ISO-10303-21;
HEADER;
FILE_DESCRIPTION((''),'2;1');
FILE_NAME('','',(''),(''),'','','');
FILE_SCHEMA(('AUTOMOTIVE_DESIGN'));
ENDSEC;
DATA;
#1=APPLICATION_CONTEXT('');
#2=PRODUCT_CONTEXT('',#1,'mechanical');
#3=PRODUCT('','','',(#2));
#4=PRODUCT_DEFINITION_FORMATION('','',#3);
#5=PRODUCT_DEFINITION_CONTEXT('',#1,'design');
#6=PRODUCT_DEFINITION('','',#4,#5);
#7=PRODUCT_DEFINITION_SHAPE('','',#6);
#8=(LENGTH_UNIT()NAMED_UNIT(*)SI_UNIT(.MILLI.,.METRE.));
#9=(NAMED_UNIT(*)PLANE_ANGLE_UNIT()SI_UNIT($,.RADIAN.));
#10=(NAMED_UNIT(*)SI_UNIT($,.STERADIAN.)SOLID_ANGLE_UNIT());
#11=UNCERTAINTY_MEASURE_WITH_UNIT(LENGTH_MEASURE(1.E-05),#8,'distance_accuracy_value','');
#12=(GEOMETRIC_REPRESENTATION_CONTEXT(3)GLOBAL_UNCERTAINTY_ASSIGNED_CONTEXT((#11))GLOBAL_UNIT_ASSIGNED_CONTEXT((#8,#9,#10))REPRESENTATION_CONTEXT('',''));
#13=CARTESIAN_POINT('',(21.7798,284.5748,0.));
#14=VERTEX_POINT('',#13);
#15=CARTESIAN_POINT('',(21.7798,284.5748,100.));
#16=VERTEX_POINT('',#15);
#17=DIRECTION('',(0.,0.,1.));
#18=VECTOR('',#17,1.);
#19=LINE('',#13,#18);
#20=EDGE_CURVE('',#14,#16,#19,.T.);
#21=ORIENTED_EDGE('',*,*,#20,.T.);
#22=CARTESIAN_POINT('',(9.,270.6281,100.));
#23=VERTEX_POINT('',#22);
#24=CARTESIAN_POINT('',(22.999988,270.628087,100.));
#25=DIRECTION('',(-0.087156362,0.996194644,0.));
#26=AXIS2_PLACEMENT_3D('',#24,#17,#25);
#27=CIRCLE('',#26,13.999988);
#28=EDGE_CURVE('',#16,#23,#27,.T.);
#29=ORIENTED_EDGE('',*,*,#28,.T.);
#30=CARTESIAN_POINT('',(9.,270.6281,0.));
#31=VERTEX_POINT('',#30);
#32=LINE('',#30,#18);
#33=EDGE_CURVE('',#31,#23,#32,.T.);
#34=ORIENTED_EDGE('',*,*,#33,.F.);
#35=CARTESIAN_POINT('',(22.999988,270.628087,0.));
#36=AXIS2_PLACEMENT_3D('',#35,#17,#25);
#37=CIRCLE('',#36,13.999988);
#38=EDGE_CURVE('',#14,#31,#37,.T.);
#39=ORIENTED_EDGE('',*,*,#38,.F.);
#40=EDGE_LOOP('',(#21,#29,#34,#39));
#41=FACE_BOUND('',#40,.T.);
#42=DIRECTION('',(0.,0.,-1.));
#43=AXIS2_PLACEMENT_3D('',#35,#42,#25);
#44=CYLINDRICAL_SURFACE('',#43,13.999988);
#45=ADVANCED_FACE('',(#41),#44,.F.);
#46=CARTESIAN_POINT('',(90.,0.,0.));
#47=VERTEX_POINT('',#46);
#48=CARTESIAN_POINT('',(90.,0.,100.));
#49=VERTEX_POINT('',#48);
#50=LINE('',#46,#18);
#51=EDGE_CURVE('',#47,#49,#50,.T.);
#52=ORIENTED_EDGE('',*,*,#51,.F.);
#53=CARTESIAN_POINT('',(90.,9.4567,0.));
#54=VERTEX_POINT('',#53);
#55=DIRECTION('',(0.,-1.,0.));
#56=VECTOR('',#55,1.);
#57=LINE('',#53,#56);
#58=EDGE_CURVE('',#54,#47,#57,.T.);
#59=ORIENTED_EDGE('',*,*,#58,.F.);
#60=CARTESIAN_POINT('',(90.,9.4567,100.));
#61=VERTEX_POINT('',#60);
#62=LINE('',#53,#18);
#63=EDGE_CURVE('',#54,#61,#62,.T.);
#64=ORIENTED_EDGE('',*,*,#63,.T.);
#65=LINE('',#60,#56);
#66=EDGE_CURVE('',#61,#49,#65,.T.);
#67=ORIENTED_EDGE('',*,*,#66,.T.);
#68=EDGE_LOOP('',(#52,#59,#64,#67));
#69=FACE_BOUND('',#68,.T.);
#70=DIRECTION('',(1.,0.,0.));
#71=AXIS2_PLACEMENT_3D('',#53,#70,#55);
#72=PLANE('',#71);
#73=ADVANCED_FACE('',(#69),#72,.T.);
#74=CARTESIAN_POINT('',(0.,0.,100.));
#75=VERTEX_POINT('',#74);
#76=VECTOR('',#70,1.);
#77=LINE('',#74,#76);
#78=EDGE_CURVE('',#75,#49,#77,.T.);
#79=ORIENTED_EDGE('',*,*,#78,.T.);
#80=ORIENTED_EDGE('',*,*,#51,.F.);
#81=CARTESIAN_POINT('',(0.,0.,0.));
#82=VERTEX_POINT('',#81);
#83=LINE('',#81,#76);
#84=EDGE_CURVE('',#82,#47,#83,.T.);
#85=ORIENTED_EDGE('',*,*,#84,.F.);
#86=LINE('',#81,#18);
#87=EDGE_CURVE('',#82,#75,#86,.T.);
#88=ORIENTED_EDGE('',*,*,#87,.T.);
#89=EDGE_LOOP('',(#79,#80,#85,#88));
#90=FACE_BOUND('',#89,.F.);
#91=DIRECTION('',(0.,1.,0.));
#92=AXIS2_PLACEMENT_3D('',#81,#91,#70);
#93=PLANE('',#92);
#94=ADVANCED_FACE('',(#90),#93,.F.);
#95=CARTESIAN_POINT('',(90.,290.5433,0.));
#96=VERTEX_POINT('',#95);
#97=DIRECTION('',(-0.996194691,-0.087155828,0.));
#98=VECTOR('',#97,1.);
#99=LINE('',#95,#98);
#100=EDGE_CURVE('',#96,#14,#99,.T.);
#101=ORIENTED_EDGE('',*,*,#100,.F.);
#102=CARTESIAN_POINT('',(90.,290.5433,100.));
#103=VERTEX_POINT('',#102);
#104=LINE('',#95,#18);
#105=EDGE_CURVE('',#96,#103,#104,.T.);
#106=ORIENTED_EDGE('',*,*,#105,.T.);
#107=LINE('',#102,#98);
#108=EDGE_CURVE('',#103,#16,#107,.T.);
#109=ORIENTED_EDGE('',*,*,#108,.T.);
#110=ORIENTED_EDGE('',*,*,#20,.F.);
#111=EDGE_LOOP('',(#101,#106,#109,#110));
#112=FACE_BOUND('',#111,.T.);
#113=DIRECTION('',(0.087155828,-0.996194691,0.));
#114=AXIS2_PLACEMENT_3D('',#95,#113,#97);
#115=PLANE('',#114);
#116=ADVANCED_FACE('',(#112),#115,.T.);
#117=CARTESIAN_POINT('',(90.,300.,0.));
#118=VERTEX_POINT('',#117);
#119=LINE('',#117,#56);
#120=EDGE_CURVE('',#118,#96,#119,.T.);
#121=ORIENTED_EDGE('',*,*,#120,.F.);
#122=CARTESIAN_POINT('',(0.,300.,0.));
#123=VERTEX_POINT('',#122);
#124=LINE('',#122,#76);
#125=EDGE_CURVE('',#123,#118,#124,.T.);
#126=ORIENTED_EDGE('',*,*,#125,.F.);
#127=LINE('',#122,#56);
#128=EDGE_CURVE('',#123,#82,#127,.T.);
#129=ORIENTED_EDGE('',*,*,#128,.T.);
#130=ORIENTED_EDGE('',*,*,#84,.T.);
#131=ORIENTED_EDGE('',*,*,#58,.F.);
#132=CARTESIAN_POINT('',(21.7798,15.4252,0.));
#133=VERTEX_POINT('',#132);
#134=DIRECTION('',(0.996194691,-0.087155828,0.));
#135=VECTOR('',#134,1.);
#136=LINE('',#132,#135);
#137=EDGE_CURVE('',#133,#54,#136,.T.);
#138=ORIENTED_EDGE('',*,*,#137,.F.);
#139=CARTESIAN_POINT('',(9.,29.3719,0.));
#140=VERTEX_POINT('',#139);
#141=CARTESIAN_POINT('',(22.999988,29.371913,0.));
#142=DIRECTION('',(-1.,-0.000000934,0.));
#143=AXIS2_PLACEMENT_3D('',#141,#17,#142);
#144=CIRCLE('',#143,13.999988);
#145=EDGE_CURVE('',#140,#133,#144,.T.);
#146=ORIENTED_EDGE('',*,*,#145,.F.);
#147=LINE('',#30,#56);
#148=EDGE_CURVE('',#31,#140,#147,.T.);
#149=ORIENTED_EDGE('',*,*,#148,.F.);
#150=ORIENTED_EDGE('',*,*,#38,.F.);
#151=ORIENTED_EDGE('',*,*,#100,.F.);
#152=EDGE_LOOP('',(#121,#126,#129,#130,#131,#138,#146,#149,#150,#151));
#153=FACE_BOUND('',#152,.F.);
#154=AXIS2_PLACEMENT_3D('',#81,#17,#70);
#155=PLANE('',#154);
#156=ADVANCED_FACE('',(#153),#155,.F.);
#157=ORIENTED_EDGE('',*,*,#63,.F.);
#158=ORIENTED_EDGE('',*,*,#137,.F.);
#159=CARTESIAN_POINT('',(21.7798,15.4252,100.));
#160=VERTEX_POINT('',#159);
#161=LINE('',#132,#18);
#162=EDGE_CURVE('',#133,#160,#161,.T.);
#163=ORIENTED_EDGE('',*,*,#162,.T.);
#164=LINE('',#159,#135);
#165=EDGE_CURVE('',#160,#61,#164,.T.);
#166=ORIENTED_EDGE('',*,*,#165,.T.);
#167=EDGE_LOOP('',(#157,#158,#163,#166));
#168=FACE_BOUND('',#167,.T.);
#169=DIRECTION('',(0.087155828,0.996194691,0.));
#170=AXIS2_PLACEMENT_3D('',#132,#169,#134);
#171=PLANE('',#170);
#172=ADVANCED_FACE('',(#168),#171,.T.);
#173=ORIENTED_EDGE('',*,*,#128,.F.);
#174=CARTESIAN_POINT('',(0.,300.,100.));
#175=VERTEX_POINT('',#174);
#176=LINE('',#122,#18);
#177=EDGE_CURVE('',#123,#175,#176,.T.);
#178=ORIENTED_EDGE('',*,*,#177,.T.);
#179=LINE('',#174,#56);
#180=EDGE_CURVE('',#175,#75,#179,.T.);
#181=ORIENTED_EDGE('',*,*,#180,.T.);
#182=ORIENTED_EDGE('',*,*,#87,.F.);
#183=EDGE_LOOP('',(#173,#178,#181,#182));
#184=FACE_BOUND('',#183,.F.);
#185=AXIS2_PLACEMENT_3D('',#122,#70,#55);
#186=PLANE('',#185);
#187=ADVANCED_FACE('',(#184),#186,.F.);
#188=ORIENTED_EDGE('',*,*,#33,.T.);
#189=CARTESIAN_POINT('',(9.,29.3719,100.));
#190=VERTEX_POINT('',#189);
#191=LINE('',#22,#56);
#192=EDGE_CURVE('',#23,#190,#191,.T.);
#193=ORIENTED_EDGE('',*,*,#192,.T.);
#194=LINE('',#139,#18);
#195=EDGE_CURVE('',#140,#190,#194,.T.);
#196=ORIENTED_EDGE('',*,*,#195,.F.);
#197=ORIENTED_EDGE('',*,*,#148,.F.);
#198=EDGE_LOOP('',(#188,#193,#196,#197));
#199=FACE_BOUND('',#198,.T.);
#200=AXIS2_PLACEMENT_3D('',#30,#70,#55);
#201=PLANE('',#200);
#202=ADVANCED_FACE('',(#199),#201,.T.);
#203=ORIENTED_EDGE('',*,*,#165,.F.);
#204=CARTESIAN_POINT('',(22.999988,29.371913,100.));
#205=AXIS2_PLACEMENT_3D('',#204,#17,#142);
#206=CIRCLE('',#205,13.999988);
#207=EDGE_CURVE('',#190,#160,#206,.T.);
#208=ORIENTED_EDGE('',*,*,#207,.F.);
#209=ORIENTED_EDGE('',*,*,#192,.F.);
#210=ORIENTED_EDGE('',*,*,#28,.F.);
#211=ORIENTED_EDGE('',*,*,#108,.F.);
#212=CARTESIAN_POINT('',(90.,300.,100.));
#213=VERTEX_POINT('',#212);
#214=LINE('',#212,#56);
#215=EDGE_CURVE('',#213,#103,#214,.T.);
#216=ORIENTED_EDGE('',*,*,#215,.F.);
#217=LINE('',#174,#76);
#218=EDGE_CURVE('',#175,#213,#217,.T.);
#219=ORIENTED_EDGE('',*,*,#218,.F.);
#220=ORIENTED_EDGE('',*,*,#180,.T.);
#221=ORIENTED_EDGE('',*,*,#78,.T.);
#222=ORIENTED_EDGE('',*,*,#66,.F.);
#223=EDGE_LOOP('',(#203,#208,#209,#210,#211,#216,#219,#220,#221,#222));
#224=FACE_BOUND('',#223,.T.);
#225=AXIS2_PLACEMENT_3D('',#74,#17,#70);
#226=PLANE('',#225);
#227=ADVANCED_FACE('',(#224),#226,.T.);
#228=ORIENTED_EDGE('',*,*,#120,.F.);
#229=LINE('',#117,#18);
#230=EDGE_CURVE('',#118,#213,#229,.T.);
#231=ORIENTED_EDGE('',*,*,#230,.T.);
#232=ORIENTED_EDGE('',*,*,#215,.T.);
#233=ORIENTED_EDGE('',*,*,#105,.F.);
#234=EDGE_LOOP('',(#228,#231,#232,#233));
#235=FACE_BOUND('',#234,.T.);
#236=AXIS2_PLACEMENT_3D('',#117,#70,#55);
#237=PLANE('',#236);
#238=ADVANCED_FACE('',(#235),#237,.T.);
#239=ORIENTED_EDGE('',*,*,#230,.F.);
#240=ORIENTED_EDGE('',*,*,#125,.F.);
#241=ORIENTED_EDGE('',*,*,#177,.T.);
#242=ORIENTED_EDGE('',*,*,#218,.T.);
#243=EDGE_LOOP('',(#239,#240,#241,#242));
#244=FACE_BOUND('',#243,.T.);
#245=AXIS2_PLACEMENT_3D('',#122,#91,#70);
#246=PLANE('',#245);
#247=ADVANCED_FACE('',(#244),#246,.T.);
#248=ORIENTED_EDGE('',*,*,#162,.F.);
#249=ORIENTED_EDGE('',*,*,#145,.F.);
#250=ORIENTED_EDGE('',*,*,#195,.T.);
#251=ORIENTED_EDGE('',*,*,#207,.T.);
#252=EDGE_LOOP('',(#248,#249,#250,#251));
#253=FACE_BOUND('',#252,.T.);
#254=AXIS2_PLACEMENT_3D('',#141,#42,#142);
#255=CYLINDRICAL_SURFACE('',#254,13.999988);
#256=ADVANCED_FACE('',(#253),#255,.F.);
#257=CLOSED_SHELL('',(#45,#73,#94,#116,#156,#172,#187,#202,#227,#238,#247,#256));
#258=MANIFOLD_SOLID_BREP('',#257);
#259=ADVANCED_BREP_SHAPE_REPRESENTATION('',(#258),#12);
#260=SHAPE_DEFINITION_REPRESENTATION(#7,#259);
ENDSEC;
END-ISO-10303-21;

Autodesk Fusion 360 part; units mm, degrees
sketch "スケッチ1" plane through (0, 0, 0) normal (0, 0, 1) x (1, 0, 0)
  line L0 (0, 0) -> (90, 0)
  line L1 (21.7798, 15.4252) -> (90, 9.4567)
  line L2 (90, 290.5433) -> (21.7798, 284.5748)
  line L3 (0, 300) -> (90, 300)
  line L4 (9, 270.6281) -> (9, 29.3719)
  line L5 (0, 300) -> (0, 0)
  arc A0 (9, 29.3719) -> (21.7798, 15.4252) centre (23, 29.3719) ccw
  arc A1 (21.7798, 284.5748) -> (9, 270.6281) centre (23, 270.6281) ccw
  line L6 (90, 9.4567) -> (90, 0)
  line L7 (90, 300) -> (90, 290.5433)
extrude "押し出し1" add sketch "スケッチ1" along normal blind 100
